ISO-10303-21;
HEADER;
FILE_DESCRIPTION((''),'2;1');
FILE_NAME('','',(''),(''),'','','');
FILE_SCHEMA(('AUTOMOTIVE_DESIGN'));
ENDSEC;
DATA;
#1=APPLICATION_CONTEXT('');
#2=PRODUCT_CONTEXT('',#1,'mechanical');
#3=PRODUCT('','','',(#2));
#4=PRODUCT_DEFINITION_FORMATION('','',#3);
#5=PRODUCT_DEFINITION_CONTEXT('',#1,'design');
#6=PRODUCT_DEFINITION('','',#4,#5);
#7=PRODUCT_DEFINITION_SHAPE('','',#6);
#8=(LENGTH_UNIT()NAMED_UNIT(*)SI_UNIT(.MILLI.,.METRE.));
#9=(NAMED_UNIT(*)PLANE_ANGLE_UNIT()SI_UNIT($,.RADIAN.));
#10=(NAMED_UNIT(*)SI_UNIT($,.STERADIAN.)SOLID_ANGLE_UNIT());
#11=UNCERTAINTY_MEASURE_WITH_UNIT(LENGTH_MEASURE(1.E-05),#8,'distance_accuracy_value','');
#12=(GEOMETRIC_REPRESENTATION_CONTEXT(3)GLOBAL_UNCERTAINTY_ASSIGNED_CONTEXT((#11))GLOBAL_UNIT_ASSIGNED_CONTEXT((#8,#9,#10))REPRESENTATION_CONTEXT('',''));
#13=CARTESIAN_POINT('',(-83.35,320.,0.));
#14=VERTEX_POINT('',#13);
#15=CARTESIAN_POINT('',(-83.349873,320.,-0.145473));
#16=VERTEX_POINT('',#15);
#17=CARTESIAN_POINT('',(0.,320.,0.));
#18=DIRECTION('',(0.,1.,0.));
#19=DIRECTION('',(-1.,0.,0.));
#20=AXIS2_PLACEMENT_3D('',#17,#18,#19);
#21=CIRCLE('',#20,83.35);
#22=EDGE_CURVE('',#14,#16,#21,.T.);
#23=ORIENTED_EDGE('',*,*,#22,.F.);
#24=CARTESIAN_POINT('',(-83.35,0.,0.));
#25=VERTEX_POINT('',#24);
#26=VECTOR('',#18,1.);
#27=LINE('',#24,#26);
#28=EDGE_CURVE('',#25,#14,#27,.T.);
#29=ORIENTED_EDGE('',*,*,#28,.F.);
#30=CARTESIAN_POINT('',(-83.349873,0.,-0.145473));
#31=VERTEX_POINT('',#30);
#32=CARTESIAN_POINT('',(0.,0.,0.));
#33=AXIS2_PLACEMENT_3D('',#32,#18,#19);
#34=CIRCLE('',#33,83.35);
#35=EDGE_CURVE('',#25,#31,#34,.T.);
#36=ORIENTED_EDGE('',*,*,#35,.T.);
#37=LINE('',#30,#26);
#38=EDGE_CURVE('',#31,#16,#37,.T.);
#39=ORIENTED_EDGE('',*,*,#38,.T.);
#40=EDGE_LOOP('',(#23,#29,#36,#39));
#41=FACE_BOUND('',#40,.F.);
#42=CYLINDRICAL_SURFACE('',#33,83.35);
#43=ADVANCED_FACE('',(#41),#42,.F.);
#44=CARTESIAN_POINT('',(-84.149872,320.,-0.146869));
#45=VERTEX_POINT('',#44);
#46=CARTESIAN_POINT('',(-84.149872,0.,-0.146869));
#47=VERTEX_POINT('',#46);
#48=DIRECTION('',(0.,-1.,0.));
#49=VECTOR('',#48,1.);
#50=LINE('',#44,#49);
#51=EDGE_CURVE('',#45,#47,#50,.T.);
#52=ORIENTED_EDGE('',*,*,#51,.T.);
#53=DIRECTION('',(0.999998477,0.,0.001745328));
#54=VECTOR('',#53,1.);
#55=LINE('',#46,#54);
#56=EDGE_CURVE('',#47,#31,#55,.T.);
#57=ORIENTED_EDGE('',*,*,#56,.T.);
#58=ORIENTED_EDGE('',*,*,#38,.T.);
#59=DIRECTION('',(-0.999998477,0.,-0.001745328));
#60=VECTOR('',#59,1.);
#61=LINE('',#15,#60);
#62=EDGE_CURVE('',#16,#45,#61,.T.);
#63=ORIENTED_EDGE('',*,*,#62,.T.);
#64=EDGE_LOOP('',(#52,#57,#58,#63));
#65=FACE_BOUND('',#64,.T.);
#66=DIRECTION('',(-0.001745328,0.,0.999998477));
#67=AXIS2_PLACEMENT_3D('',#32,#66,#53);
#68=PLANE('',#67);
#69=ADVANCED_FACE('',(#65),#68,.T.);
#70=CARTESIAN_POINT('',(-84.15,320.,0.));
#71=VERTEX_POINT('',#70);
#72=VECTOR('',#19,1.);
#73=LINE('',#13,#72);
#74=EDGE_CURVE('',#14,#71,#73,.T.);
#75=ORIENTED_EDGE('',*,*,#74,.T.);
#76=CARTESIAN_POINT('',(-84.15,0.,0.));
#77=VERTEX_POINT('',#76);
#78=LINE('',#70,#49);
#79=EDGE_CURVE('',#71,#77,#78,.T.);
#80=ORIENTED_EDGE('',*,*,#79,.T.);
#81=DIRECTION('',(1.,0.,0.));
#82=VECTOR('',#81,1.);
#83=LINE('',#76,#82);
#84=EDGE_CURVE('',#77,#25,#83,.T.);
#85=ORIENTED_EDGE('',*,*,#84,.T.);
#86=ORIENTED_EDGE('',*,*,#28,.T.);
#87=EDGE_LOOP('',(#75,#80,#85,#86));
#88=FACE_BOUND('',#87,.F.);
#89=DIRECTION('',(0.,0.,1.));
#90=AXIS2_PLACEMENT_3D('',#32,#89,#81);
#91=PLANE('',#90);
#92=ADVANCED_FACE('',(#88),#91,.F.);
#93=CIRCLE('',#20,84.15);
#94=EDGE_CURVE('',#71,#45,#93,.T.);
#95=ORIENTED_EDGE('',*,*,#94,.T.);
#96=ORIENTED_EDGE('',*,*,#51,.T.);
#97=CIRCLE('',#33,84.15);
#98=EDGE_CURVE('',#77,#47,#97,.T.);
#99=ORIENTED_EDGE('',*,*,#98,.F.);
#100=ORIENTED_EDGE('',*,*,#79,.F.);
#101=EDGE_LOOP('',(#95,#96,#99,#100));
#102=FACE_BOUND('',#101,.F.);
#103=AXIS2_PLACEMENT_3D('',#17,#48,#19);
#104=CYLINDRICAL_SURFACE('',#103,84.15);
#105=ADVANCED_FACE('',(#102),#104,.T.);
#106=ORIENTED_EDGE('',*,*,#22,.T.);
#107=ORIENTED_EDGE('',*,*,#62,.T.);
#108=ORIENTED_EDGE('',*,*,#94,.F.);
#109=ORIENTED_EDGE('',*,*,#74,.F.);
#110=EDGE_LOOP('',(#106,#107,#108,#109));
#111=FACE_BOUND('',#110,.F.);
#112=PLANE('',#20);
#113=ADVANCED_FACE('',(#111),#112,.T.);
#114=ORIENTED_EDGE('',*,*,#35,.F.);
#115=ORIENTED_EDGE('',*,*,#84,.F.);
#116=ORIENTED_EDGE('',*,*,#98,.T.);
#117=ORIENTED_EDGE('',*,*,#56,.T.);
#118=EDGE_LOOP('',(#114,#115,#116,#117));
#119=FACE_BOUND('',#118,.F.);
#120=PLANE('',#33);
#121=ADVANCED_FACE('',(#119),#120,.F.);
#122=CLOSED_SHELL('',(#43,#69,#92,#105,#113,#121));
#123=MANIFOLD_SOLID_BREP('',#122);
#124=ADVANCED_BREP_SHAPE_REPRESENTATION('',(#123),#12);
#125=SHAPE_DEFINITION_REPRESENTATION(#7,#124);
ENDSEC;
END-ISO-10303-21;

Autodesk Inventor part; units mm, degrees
ref_plane "YZ Plane" through (0, 0, 0) normal (1, 0, 0) x (0, 1, 0)
ref_plane "XZ Plane" through (0, 0, 0) normal (0, 1, 0) x (-1, 0, 0)
ref_plane "XY Plane" through (0, 0, 0) normal (0, 0, 1) x (1, 0, 0)
sketch "Sketch1" plane through (0, 0, 0) normal (0, 0, 1) x (1, 0, 0)
  line L0 (0, 0) -> (0, 320)
  line L1 (-83.35, 320) -> (-84.15, 320)
  line L2 (-84.15, 320) -> (-84.15, 0)
  line L3 (-84.15, 0) -> (-83.35, 0)
  line L4 (-83.35, 0) -> (-83.35, 320)
  line L5 (-83.35, 320) -> (-84.15, 0) construction
  line L6 (-84.15, 320) -> (-83.35, 0) construction
  point P0 (-83.75, 160)
  dimension "d0" = 320
  dimension "d1" = 0.8
  dimension "d2" = 168.3
revolve "Revolution1" add sketch "Sketch1" angle 359.9 about axis through (0, 0, 0) along (0, 1, 0)
equation "\"d1\" = Thickness"
equation "\"BendRadius\" = Thickness"
equation "\"BendReliefWidth\" = Thickness"
equation "\"BendReliefDepth\" = 0.5 * Thickness"
equation "\"CornerReliefSize\" = 4 * Thickness"
equation "\"MinimumRemnant\" = 2 * Thickness"
equation "\"TransitionRadius\" = BendRadius"
equation "\"JacobiRadiusSize\" = BendRadius"
equation "\"GapSize\" = Thickness"
equation "\"Thickness\" = 0.8"
properties part number "MSC 102 roсket body" material "Stainless Steel"
